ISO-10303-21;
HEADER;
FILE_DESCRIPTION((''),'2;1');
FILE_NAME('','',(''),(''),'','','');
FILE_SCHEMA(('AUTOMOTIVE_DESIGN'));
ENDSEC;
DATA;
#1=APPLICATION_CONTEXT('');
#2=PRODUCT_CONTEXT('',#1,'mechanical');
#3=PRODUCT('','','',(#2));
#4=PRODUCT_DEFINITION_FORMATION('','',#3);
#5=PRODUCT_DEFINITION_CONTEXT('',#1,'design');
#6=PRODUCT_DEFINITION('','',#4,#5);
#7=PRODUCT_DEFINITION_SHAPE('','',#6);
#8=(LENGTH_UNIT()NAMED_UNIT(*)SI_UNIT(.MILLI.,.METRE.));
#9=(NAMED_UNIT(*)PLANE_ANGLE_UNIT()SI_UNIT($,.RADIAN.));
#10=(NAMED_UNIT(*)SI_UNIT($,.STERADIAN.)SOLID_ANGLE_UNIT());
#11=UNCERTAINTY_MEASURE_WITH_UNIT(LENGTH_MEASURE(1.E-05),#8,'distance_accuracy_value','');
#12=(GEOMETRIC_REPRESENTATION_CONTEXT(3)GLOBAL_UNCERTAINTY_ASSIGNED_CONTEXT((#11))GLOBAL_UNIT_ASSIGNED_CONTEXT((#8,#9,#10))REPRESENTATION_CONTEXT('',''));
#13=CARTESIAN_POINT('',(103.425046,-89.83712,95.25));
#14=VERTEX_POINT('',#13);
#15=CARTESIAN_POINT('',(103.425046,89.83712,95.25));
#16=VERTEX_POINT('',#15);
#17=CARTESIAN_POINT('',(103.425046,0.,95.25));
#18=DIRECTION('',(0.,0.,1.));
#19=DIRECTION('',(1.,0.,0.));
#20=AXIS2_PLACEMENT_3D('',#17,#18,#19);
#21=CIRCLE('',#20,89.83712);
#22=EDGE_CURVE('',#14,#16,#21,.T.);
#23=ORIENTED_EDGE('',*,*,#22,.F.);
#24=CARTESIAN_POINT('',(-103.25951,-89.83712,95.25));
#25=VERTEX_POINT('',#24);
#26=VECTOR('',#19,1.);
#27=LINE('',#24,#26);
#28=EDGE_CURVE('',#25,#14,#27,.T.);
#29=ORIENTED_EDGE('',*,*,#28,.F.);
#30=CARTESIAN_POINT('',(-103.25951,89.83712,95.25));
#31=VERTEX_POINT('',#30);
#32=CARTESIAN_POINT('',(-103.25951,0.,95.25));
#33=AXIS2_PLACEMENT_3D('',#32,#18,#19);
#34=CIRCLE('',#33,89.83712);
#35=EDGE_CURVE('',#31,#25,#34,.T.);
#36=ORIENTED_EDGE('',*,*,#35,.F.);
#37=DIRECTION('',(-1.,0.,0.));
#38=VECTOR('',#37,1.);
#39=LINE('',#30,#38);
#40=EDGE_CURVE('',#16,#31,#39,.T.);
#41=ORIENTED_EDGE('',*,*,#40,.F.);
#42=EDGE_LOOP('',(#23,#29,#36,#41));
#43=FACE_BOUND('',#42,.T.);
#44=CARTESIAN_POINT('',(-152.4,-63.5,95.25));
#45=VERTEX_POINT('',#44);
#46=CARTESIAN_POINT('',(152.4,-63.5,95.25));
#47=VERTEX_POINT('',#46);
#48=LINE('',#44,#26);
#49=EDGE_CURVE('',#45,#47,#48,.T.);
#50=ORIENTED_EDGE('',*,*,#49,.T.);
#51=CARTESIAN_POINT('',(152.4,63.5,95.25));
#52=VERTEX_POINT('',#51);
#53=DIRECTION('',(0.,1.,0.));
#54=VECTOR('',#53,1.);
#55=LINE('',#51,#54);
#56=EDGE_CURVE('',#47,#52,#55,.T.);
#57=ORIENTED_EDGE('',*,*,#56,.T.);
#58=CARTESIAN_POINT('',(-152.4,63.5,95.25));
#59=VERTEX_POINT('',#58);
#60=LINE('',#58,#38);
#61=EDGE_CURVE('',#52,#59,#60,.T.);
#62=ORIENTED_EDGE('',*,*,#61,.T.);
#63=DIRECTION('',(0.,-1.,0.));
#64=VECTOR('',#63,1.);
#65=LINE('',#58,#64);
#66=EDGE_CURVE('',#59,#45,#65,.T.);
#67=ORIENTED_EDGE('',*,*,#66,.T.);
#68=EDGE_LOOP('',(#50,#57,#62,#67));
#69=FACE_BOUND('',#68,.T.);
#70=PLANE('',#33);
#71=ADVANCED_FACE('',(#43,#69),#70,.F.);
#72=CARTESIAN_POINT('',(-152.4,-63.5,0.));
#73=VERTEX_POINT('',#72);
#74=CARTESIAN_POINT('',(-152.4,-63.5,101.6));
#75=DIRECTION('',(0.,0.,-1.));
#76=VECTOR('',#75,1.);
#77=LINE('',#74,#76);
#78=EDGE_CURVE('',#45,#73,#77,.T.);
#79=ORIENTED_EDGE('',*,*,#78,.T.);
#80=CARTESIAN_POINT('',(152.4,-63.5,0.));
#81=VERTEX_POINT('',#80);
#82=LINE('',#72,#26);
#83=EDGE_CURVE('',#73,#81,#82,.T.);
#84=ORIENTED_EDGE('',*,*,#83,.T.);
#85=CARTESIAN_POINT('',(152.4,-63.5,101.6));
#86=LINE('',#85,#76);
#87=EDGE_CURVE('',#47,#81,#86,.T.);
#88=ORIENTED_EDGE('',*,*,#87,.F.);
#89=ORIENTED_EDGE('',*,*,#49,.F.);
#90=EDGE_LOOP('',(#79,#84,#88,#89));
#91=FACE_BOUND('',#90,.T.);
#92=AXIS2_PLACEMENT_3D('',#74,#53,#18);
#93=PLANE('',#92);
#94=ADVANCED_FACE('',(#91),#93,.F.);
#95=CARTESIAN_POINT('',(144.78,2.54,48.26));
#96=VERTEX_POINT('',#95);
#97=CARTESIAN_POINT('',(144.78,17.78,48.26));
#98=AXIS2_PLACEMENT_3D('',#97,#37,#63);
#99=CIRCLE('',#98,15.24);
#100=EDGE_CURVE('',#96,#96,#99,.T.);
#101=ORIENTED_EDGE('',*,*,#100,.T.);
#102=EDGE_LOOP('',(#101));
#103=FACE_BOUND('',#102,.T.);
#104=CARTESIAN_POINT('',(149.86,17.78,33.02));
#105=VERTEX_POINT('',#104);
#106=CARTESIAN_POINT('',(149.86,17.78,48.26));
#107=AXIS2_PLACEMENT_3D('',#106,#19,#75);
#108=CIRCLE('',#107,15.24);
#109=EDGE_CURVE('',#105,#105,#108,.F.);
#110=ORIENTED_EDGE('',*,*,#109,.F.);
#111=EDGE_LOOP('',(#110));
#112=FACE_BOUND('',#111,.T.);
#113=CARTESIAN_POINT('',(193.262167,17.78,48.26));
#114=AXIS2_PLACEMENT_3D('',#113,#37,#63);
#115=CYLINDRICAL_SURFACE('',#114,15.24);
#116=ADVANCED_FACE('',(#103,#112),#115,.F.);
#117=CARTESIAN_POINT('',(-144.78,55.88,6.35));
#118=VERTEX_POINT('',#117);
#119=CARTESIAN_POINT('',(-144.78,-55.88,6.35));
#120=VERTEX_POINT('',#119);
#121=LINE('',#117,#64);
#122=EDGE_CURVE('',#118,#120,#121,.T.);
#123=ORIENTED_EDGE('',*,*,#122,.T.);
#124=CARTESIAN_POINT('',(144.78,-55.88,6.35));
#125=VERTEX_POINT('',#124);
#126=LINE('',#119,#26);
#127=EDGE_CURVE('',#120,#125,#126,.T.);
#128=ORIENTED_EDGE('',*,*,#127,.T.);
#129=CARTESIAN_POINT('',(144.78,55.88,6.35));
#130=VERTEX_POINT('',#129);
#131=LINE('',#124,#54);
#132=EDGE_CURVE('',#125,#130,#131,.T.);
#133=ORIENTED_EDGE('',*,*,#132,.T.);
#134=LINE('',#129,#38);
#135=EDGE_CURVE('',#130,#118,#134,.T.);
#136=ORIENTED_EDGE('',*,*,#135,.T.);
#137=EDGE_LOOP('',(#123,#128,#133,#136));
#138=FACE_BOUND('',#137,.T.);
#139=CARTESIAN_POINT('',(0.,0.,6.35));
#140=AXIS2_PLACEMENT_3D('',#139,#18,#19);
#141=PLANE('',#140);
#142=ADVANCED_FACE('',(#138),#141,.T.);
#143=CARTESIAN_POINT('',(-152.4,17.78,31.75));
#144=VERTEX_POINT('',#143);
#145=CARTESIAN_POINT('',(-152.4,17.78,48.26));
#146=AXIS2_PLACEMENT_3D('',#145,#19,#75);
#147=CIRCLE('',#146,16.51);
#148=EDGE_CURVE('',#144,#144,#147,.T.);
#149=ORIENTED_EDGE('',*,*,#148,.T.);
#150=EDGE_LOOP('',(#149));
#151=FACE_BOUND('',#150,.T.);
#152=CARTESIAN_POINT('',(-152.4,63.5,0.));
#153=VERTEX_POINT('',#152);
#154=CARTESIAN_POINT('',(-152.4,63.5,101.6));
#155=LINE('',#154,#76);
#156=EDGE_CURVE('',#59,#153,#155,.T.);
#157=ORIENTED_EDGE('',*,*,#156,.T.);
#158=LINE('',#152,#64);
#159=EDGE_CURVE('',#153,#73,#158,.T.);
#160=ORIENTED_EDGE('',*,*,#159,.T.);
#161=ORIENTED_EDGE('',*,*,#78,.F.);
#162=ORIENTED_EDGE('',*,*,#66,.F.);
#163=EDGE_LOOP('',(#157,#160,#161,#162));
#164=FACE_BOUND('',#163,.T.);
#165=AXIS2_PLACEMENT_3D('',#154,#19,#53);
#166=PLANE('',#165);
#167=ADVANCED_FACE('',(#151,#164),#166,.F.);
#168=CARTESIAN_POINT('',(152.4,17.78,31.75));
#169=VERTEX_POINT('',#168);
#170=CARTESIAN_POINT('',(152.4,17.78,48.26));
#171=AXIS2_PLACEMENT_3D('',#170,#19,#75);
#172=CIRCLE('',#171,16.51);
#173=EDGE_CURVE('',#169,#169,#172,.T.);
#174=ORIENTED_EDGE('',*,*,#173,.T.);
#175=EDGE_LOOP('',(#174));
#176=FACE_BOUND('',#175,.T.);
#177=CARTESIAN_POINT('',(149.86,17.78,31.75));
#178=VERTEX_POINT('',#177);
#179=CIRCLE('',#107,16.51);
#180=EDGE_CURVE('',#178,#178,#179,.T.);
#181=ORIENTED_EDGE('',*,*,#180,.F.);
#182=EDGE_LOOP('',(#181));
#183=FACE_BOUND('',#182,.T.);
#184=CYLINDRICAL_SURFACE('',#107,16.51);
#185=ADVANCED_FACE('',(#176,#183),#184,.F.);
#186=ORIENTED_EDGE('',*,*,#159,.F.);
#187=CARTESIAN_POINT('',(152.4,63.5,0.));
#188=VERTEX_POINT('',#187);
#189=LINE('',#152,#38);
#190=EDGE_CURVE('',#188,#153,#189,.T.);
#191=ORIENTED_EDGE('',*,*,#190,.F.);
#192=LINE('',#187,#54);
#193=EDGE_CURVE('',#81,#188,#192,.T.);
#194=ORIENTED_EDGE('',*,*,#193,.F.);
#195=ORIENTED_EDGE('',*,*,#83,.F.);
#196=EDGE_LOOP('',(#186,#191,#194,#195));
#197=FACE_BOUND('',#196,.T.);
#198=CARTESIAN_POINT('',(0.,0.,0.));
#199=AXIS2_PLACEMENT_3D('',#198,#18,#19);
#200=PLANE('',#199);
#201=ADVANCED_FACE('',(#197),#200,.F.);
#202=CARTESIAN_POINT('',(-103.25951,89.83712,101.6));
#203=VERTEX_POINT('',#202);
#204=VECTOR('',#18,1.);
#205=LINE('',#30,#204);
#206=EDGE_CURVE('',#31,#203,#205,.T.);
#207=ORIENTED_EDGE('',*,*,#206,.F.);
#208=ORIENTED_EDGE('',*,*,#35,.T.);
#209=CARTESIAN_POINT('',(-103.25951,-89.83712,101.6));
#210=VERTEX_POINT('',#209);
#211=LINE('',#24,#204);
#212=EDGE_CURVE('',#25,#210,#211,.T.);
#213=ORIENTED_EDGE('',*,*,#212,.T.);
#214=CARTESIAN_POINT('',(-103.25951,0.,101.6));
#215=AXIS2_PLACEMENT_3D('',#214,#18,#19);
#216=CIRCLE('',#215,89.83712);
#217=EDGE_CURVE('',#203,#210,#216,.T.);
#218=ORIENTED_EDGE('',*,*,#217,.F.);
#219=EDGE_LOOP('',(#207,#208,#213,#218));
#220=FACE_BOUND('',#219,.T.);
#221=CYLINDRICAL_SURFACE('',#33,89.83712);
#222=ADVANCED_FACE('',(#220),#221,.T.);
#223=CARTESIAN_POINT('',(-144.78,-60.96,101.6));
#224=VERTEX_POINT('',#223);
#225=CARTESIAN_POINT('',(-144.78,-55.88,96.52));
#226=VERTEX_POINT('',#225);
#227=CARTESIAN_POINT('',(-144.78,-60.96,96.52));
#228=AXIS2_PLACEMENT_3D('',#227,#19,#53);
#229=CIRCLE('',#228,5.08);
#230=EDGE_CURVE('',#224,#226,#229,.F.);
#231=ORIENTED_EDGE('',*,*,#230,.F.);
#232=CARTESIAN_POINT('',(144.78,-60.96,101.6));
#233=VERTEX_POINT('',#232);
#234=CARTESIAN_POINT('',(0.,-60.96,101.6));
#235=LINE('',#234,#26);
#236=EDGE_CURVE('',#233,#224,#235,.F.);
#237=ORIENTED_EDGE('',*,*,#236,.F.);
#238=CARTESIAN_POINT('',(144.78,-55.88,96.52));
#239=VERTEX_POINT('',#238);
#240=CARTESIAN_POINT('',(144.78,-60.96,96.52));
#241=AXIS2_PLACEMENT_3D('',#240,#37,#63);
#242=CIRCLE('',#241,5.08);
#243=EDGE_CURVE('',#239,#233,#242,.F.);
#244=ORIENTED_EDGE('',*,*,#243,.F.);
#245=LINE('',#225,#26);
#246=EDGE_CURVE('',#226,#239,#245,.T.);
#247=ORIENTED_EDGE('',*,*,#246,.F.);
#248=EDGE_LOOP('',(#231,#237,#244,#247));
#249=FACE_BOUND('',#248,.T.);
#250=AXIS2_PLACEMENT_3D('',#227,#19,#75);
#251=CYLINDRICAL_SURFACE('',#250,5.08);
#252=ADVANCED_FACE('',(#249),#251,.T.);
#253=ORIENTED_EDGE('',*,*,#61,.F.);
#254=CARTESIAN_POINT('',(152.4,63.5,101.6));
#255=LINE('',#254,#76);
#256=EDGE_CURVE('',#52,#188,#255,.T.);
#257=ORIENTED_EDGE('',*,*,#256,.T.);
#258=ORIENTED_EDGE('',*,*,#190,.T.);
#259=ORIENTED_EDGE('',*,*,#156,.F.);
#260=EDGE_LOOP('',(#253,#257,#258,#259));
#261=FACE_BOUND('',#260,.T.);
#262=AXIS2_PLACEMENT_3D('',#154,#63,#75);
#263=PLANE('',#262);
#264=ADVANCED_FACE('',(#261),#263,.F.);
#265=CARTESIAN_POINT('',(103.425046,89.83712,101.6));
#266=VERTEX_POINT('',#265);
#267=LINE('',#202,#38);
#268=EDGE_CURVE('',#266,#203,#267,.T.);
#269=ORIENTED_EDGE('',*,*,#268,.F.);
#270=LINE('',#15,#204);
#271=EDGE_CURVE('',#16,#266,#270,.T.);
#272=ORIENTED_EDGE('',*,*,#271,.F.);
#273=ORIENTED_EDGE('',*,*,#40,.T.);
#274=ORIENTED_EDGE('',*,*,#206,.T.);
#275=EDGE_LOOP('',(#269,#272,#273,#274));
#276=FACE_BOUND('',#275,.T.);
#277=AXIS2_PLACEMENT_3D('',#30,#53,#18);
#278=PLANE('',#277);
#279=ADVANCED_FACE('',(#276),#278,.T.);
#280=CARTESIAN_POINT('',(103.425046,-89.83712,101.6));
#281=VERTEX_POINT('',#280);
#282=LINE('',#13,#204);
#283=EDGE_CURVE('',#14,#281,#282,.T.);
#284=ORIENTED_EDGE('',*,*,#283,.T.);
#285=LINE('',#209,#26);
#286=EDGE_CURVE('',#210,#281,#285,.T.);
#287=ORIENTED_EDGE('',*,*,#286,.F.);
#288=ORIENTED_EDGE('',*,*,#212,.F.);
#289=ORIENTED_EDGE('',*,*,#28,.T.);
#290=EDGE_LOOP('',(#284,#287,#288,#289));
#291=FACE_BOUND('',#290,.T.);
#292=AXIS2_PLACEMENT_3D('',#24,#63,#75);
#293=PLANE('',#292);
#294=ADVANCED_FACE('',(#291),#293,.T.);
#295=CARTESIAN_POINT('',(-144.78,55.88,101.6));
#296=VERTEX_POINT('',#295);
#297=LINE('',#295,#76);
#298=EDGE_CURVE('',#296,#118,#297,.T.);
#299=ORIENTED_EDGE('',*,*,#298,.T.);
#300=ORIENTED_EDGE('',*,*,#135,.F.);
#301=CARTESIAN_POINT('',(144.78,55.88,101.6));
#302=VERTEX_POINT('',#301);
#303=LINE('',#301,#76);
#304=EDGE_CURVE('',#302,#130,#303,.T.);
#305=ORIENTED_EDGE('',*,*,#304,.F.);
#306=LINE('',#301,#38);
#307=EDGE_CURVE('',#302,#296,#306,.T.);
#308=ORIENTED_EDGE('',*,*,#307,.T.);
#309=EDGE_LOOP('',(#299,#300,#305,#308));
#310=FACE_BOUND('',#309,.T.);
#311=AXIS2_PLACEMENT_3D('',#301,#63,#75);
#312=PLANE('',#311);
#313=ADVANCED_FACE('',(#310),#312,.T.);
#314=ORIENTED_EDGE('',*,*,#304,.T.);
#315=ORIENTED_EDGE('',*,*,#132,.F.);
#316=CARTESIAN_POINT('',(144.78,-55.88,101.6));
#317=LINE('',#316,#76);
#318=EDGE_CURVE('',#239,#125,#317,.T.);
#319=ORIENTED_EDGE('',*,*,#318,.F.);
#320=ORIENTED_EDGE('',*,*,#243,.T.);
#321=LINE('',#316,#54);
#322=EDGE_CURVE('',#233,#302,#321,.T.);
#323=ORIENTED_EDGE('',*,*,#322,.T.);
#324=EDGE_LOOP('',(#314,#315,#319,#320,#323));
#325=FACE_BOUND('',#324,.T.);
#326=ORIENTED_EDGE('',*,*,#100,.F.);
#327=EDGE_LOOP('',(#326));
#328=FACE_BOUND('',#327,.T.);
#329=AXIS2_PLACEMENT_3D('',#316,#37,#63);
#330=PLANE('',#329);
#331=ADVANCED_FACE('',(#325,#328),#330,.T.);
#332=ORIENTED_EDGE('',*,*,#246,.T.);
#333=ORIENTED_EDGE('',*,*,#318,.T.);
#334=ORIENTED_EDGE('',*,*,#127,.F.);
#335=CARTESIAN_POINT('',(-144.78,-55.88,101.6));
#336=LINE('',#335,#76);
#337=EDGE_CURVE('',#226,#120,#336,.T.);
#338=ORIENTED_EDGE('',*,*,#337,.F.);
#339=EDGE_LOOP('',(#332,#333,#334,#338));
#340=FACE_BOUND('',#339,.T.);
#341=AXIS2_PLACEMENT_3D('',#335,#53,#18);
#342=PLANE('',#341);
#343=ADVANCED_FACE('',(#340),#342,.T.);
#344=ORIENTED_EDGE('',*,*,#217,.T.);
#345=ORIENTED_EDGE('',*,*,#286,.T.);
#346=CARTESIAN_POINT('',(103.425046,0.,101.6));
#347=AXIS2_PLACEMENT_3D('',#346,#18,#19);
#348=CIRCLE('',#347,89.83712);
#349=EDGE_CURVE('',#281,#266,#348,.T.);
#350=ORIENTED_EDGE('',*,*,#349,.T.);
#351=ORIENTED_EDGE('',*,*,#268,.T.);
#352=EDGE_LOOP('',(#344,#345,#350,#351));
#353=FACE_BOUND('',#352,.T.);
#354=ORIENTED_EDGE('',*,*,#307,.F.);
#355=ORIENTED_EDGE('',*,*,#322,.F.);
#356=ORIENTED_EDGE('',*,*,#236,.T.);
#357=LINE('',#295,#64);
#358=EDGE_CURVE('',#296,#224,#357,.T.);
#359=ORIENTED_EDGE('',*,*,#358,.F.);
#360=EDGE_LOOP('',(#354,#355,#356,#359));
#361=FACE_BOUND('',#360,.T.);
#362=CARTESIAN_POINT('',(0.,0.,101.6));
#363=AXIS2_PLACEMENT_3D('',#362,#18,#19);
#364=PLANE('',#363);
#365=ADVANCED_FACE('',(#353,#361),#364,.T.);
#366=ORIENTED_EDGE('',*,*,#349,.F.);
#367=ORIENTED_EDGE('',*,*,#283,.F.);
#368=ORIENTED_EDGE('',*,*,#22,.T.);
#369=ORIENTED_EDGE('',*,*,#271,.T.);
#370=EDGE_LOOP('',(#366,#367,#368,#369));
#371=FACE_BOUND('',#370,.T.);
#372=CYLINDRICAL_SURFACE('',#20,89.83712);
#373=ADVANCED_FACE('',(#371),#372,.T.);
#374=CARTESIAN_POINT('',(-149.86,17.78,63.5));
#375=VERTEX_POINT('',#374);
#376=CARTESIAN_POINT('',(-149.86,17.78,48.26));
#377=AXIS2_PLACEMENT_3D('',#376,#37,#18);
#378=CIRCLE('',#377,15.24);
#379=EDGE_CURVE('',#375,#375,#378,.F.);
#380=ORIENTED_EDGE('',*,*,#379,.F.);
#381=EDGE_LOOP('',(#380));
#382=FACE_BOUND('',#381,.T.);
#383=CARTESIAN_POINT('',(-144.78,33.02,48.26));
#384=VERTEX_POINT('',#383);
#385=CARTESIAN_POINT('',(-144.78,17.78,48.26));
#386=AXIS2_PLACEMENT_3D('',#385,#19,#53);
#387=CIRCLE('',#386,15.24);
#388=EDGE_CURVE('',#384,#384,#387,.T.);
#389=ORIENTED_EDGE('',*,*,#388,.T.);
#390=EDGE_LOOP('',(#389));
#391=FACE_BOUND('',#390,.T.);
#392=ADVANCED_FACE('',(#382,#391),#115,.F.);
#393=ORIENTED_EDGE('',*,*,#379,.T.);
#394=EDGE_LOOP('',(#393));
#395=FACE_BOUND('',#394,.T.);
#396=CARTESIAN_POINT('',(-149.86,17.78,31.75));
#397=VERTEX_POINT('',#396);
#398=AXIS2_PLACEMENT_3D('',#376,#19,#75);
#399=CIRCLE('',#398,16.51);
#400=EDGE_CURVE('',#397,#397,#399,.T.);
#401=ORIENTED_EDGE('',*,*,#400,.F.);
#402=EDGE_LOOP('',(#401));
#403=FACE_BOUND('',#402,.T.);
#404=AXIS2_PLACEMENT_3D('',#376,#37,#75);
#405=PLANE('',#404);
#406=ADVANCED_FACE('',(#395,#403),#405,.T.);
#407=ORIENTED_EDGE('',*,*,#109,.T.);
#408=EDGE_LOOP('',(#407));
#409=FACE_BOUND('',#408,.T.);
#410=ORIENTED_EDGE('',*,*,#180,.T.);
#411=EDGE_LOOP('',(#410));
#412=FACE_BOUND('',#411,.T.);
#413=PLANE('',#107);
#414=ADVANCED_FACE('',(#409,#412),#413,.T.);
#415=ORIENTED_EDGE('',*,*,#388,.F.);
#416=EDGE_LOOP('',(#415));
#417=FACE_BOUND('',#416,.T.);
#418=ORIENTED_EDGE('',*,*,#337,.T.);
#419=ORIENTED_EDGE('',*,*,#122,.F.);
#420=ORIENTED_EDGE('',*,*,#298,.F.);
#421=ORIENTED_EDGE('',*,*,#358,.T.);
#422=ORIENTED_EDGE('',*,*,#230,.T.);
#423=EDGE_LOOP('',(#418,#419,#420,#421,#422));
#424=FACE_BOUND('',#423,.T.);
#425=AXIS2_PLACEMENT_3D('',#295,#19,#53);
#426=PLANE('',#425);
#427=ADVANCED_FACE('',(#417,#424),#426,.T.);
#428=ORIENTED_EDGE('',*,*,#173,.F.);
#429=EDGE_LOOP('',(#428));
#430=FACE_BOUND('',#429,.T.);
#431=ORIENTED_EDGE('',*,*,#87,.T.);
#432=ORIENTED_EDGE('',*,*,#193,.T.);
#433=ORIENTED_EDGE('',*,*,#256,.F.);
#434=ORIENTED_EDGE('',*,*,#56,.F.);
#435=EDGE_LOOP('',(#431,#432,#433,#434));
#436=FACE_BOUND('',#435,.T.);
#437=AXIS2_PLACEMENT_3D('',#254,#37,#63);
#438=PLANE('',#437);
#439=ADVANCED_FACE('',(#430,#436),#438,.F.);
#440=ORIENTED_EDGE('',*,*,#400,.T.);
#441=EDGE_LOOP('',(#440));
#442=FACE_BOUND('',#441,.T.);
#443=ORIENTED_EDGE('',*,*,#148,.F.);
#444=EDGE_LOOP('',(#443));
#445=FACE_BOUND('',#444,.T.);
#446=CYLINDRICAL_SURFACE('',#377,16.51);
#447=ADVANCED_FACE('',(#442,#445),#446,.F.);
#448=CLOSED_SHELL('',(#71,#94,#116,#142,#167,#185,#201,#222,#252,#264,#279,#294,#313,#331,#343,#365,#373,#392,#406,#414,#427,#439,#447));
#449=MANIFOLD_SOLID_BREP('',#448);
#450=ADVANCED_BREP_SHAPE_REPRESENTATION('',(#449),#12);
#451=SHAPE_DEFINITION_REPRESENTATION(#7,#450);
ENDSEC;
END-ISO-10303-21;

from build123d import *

# Parameters (mm, degrees)
SKETCH1_W           = 304.8
SKETCH1_H           = 127
BOSS_EXTRUDE1_DEPTH = 101.6
CUT_EXTRUDE2_DEPTH  = 95.25
SKETCH3_W           = 289.56
SKETCH3_H           = 111.76
BOSS_EXTRUDE2_DEPTH = 6.35
SKETCH5_R           = 15.24
CUT_EXTRUDE4_DEPTH  = 372.316040041
FILLET2_R           = 5.08
SKETCH6_R           = 16.51
CUT_EXTRUDE5_DEPTH  = 2.54


with BuildPart() as part:
    # Sketch1 → Boss-Extrude1 (new body)
    with BuildSketch(Plane.XY):
        Rectangle(SKETCH1_W, SKETCH1_H)
    extrude(amount=BOSS_EXTRUDE1_DEPTH)

    # 3DSketch1 → Cut-Extrude2 (cut)
    with BuildSketch(Plane(origin=(144.78, 55.88, 101.6), x_dir=(-0.9329231300425795, -0.36007559405152184, 0), z_dir=(0, 0, 1))):
        Polygon((0, 0), (270.137221535, -104.263489014), (310.379269926, 0), (40.242048391, 104.263489014), align=None)
    extrude(amount=-CUT_EXTRUDE2_DEPTH, mode=Mode.SUBTRACT)

    # Sketch3 → Boss-Extrude2 (add)
    with BuildSketch(Plane.XY.offset(101.6)):
        with BuildLine():
            Line((-103.259510137, 89.837120171), (103.425046446, 89.837120171))
            ThreePointArc((103.425046446, 89.837120171), (193.262166618, 0), (103.425046446, -89.837120171))
            Line((103.425046446, -89.837120171), (-103.259510137, -89.837120171))
            ThreePointArc((-103.259510137, -89.837120171), (-193.096630308, 0), (-103.259510137, 89.837120171))
        make_face()
        Rectangle(SKETCH3_W, SKETCH3_H, mode=Mode.SUBTRACT)
    extrude(amount=-BOSS_EXTRUDE2_DEPTH)

    # Sketch5 → Cut-Extrude4 (cut, through all)
    with BuildSketch(Plane.ZY.offset(152.4)):
        with Locations(Location((48.26, 17.78, 0), (0, 0, 270))):
            Circle(SKETCH5_R)
    extrude(amount=-CUT_EXTRUDE4_DEPTH, mode=Mode.SUBTRACT)

    # Fillet2
    fillet2_edges = [part.edges().sort_by_distance(p)[0] for p in [
        (0, -55.88, 101.6),
    ]]
    fillet(fillet2_edges, radius=FILLET2_R)

    # Sketch6 → Cut-Extrude5 (cut)
    with BuildSketch(Plane(origin=(152.4, 0, 0), x_dir=(0, 0, -1), z_dir=(1, 0, 0))):
        with Locations((-48.26, 17.78)):
            Circle(SKETCH6_R)
    cut_extrude5 = extrude(amount=-CUT_EXTRUDE5_DEPTH, mode=Mode.SUBTRACT)

    # Mirror1: Cut-Extrude5 across plane
    add(cut_extrude5.mirror(Plane(origin=(0, 0, 0), x_dir=(0, 0, 1), z_dir=(1, 0, 0))), mode=Mode.SUBTRACT)


solid = part.part
